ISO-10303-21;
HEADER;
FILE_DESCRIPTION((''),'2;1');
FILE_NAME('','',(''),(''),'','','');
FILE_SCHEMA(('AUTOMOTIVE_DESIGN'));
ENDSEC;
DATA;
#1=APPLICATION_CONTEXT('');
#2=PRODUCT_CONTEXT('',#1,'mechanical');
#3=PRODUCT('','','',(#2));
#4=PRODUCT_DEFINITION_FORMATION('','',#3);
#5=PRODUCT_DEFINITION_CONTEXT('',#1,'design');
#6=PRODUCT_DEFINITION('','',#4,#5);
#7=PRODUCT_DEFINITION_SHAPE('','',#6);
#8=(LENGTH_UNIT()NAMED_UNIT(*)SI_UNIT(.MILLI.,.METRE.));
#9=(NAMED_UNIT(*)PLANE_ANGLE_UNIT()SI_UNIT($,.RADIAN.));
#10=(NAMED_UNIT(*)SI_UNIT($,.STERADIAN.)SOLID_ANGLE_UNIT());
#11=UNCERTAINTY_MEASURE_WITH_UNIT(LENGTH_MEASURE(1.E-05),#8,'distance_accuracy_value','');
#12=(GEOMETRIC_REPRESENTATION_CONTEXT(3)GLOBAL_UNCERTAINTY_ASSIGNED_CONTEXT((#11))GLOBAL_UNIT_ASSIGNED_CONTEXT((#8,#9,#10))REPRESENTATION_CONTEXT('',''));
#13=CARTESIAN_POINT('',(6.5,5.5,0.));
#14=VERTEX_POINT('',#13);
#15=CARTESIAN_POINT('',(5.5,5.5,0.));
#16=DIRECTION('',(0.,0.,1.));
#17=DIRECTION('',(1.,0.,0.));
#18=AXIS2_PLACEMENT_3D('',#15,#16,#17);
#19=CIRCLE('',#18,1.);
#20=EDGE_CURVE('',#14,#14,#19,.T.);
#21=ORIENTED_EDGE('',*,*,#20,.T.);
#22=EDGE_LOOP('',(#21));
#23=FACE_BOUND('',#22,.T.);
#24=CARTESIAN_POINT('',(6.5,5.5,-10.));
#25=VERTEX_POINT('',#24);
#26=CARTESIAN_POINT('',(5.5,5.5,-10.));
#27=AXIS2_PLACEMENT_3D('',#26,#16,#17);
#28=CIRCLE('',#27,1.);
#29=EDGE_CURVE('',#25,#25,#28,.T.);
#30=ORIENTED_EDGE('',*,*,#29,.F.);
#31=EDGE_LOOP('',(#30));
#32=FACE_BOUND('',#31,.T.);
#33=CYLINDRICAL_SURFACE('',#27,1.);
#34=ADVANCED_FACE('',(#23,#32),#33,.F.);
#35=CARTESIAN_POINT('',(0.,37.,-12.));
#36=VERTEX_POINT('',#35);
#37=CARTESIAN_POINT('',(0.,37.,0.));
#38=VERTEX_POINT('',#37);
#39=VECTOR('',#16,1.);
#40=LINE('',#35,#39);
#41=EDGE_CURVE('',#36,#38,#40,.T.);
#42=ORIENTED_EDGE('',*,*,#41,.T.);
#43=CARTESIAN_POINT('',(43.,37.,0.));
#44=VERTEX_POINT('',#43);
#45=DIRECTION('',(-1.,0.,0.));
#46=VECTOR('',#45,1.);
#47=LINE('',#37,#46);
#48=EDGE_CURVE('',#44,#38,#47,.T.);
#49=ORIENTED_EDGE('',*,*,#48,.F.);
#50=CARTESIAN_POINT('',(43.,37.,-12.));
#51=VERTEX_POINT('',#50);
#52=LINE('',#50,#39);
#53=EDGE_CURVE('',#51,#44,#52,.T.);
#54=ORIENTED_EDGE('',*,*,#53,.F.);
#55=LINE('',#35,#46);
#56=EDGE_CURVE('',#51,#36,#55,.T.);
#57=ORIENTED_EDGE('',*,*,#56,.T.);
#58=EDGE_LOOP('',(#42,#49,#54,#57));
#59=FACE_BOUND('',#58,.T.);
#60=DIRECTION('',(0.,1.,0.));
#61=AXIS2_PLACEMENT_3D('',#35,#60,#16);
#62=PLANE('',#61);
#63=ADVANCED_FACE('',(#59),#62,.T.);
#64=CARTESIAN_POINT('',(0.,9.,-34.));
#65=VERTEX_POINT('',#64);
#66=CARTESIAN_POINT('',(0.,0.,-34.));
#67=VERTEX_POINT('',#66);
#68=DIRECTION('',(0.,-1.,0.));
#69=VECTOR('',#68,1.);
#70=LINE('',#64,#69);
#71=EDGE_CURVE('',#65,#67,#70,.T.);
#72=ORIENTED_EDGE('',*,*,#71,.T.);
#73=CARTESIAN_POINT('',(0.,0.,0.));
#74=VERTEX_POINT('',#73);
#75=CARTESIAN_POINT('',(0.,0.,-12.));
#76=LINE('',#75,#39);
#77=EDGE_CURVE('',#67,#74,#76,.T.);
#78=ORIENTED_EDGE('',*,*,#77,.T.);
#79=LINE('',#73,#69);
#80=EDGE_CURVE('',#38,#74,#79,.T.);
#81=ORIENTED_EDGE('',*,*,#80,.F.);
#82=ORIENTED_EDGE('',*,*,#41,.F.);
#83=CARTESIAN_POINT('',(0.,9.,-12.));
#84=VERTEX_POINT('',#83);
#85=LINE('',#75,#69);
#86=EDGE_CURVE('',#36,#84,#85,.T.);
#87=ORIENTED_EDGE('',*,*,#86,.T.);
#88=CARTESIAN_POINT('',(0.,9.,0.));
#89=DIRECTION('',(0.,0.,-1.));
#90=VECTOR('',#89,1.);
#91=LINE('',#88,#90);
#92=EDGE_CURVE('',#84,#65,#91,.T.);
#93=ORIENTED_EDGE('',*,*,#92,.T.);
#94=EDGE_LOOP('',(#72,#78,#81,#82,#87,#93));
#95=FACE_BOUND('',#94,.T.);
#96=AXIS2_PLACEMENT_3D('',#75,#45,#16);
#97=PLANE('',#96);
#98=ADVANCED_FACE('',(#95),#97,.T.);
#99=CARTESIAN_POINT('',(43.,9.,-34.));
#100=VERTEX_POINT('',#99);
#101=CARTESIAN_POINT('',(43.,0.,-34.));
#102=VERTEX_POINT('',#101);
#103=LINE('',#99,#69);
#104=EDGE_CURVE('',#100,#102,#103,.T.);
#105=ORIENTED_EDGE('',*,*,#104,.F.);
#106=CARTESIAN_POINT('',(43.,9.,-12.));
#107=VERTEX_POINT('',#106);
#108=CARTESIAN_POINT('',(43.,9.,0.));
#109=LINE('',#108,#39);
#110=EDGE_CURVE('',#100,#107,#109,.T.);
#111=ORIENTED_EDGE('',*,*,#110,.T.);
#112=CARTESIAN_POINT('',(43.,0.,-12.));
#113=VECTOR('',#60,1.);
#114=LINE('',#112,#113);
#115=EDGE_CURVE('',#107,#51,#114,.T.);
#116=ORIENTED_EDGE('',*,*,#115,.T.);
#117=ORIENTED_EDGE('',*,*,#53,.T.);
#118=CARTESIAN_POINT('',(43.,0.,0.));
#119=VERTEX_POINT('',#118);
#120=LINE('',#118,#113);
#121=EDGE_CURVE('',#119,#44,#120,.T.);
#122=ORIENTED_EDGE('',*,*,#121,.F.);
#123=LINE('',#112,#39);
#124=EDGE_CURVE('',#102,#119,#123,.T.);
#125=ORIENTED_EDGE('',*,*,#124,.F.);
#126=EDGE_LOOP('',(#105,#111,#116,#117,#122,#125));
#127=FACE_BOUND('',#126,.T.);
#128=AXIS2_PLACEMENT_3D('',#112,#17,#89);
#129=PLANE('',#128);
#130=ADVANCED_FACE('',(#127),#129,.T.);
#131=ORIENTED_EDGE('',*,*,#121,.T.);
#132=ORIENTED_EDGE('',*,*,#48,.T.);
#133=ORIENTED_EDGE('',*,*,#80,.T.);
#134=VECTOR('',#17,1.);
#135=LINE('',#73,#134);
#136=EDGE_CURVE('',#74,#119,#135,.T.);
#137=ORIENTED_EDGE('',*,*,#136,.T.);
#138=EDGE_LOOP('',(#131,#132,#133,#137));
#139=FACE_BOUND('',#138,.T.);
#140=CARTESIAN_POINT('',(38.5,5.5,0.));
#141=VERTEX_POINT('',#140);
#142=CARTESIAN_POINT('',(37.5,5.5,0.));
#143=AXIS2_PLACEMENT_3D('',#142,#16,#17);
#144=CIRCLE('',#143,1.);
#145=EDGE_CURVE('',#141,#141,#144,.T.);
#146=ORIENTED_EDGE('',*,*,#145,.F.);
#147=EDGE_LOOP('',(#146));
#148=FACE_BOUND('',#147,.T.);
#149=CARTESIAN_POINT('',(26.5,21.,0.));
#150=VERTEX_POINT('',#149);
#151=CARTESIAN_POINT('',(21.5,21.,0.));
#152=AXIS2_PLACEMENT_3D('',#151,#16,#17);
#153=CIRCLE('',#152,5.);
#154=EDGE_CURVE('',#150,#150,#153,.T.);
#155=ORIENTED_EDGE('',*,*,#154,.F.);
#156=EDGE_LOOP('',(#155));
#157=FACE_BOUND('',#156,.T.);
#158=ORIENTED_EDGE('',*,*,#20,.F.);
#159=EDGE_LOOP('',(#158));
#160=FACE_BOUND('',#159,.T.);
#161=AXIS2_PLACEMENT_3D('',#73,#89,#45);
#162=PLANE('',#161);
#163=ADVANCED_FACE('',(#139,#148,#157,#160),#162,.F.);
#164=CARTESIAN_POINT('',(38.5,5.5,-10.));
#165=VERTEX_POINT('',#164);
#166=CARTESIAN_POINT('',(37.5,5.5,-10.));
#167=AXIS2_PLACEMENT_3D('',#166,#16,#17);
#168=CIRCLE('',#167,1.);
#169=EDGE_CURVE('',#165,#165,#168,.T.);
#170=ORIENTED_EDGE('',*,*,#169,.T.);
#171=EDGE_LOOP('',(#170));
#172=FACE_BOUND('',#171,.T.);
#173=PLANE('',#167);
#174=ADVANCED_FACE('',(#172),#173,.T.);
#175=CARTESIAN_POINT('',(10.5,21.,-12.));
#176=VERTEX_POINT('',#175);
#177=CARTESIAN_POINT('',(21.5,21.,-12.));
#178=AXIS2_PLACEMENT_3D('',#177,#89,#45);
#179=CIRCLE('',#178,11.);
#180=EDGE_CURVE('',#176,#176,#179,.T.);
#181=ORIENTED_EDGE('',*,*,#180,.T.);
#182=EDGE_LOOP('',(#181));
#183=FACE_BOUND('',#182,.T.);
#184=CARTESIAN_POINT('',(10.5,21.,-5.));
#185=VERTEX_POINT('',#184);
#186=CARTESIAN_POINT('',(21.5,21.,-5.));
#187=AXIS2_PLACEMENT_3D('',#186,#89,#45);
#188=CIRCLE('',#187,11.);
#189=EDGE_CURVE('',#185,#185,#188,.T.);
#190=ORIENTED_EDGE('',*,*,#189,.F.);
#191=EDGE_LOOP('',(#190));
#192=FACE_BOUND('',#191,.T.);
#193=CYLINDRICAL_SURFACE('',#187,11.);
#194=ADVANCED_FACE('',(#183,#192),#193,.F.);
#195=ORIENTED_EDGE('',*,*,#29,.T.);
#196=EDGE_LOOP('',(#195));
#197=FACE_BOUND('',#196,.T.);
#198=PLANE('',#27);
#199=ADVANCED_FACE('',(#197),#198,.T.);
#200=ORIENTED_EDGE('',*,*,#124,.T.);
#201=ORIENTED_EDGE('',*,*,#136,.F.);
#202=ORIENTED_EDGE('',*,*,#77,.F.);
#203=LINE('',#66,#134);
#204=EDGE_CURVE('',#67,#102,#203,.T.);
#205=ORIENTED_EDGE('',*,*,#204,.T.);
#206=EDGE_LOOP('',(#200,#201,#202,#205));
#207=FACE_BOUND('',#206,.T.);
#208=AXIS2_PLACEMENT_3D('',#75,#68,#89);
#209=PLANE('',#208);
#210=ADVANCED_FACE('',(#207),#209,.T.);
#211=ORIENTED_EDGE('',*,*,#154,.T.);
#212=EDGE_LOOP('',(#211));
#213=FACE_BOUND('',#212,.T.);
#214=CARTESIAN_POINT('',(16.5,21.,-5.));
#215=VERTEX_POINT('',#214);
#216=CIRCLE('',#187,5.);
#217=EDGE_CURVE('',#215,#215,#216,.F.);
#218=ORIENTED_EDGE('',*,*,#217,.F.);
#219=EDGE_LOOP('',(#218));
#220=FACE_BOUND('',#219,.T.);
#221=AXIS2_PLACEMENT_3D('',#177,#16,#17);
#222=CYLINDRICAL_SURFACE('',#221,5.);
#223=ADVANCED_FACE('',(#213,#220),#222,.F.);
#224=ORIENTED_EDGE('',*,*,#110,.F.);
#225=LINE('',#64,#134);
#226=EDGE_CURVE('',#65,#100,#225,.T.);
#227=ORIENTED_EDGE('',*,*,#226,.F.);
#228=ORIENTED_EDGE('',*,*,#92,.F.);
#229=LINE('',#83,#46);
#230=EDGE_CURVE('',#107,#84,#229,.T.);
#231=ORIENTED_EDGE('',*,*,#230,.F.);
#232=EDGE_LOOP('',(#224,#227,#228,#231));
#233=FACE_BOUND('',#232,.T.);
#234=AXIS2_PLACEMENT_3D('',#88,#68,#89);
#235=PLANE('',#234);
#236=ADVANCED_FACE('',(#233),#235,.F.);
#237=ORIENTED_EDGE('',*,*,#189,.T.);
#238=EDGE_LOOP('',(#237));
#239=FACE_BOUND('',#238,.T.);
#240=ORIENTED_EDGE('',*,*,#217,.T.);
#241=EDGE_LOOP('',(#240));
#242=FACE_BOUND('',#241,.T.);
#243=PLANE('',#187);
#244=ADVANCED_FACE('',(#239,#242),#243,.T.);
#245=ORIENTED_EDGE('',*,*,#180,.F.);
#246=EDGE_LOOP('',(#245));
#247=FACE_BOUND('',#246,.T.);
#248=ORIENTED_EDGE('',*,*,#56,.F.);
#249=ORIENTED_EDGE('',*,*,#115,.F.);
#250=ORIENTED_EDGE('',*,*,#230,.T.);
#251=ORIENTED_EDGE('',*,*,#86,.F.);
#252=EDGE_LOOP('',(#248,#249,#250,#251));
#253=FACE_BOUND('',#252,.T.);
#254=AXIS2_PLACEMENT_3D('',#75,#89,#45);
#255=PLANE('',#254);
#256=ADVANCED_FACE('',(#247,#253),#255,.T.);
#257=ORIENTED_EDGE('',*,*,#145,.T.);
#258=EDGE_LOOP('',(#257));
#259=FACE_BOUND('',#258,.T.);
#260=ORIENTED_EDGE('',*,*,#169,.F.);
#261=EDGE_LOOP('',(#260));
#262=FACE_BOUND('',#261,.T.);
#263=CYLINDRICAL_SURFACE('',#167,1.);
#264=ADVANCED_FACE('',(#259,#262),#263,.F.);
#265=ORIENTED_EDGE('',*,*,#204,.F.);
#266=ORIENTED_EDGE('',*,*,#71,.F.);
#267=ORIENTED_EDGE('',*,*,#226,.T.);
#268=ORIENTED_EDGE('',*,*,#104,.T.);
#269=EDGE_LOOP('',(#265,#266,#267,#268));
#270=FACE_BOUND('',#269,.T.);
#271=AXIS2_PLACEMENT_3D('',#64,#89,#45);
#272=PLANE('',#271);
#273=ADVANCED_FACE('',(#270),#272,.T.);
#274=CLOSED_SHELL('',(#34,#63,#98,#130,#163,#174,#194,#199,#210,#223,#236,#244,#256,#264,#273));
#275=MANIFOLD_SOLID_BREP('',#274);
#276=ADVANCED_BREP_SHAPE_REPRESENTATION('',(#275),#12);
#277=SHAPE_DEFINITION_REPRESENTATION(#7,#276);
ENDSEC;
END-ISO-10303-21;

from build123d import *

# Parameters (mm, degrees)
SKETCH2_W           = 43
SKETCH2_H           = 37
SKETCH2_R           = 5
BOSS_EXTRUDE1_DEPTH = 12
SKETCH3_R           = 11
CUT_EXTRUDE1_DEPTH  = 7
SKETCH4_W           = 43
SKETCH4_H           = 34
BOSS_EXTRUDE2_DEPTH = 9
SKETCH5_R           = 1
CUT_EXTRUDE2_DEPTH  = 10


with BuildPart() as part:
    # Sketch2 → Boss-Extrude1 (new body)
    with BuildSketch(Plane.XY):
        with Locations((21.5, 18.5)):
            Rectangle(SKETCH2_W, SKETCH2_H)
        with Locations((21.5, 21)):
            Circle(SKETCH2_R, mode=Mode.SUBTRACT)
    extrude(amount=-BOSS_EXTRUDE1_DEPTH)

    # Sketch3 → Cut-Extrude1 (cut)
    with BuildSketch(Plane(origin=(0, 0, -12), x_dir=(-1, 0, 0), z_dir=(0, 0, -1))):
        with Locations((-21.5, 21)):
            Circle(SKETCH3_R)
    extrude(amount=-CUT_EXTRUDE1_DEPTH, mode=Mode.SUBTRACT)

    # Sketch4 → Boss-Extrude2 (add)
    with BuildSketch(Plane.XZ):
        with Locations((21.5, -17)):
            Rectangle(SKETCH4_W, SKETCH4_H)
    extrude(amount=-BOSS_EXTRUDE2_DEPTH)

    # Sketch5 → Cut-Extrude2 (cut)
    with BuildSketch(Plane.XY):
        with Locations((5.5, 5.5)):
            Circle(SKETCH5_R)
        with Locations((37.5, 5.5)):
            Circle(SKETCH5_R)
    extrude(amount=-CUT_EXTRUDE2_DEPTH, mode=Mode.SUBTRACT)


solid = part.part
